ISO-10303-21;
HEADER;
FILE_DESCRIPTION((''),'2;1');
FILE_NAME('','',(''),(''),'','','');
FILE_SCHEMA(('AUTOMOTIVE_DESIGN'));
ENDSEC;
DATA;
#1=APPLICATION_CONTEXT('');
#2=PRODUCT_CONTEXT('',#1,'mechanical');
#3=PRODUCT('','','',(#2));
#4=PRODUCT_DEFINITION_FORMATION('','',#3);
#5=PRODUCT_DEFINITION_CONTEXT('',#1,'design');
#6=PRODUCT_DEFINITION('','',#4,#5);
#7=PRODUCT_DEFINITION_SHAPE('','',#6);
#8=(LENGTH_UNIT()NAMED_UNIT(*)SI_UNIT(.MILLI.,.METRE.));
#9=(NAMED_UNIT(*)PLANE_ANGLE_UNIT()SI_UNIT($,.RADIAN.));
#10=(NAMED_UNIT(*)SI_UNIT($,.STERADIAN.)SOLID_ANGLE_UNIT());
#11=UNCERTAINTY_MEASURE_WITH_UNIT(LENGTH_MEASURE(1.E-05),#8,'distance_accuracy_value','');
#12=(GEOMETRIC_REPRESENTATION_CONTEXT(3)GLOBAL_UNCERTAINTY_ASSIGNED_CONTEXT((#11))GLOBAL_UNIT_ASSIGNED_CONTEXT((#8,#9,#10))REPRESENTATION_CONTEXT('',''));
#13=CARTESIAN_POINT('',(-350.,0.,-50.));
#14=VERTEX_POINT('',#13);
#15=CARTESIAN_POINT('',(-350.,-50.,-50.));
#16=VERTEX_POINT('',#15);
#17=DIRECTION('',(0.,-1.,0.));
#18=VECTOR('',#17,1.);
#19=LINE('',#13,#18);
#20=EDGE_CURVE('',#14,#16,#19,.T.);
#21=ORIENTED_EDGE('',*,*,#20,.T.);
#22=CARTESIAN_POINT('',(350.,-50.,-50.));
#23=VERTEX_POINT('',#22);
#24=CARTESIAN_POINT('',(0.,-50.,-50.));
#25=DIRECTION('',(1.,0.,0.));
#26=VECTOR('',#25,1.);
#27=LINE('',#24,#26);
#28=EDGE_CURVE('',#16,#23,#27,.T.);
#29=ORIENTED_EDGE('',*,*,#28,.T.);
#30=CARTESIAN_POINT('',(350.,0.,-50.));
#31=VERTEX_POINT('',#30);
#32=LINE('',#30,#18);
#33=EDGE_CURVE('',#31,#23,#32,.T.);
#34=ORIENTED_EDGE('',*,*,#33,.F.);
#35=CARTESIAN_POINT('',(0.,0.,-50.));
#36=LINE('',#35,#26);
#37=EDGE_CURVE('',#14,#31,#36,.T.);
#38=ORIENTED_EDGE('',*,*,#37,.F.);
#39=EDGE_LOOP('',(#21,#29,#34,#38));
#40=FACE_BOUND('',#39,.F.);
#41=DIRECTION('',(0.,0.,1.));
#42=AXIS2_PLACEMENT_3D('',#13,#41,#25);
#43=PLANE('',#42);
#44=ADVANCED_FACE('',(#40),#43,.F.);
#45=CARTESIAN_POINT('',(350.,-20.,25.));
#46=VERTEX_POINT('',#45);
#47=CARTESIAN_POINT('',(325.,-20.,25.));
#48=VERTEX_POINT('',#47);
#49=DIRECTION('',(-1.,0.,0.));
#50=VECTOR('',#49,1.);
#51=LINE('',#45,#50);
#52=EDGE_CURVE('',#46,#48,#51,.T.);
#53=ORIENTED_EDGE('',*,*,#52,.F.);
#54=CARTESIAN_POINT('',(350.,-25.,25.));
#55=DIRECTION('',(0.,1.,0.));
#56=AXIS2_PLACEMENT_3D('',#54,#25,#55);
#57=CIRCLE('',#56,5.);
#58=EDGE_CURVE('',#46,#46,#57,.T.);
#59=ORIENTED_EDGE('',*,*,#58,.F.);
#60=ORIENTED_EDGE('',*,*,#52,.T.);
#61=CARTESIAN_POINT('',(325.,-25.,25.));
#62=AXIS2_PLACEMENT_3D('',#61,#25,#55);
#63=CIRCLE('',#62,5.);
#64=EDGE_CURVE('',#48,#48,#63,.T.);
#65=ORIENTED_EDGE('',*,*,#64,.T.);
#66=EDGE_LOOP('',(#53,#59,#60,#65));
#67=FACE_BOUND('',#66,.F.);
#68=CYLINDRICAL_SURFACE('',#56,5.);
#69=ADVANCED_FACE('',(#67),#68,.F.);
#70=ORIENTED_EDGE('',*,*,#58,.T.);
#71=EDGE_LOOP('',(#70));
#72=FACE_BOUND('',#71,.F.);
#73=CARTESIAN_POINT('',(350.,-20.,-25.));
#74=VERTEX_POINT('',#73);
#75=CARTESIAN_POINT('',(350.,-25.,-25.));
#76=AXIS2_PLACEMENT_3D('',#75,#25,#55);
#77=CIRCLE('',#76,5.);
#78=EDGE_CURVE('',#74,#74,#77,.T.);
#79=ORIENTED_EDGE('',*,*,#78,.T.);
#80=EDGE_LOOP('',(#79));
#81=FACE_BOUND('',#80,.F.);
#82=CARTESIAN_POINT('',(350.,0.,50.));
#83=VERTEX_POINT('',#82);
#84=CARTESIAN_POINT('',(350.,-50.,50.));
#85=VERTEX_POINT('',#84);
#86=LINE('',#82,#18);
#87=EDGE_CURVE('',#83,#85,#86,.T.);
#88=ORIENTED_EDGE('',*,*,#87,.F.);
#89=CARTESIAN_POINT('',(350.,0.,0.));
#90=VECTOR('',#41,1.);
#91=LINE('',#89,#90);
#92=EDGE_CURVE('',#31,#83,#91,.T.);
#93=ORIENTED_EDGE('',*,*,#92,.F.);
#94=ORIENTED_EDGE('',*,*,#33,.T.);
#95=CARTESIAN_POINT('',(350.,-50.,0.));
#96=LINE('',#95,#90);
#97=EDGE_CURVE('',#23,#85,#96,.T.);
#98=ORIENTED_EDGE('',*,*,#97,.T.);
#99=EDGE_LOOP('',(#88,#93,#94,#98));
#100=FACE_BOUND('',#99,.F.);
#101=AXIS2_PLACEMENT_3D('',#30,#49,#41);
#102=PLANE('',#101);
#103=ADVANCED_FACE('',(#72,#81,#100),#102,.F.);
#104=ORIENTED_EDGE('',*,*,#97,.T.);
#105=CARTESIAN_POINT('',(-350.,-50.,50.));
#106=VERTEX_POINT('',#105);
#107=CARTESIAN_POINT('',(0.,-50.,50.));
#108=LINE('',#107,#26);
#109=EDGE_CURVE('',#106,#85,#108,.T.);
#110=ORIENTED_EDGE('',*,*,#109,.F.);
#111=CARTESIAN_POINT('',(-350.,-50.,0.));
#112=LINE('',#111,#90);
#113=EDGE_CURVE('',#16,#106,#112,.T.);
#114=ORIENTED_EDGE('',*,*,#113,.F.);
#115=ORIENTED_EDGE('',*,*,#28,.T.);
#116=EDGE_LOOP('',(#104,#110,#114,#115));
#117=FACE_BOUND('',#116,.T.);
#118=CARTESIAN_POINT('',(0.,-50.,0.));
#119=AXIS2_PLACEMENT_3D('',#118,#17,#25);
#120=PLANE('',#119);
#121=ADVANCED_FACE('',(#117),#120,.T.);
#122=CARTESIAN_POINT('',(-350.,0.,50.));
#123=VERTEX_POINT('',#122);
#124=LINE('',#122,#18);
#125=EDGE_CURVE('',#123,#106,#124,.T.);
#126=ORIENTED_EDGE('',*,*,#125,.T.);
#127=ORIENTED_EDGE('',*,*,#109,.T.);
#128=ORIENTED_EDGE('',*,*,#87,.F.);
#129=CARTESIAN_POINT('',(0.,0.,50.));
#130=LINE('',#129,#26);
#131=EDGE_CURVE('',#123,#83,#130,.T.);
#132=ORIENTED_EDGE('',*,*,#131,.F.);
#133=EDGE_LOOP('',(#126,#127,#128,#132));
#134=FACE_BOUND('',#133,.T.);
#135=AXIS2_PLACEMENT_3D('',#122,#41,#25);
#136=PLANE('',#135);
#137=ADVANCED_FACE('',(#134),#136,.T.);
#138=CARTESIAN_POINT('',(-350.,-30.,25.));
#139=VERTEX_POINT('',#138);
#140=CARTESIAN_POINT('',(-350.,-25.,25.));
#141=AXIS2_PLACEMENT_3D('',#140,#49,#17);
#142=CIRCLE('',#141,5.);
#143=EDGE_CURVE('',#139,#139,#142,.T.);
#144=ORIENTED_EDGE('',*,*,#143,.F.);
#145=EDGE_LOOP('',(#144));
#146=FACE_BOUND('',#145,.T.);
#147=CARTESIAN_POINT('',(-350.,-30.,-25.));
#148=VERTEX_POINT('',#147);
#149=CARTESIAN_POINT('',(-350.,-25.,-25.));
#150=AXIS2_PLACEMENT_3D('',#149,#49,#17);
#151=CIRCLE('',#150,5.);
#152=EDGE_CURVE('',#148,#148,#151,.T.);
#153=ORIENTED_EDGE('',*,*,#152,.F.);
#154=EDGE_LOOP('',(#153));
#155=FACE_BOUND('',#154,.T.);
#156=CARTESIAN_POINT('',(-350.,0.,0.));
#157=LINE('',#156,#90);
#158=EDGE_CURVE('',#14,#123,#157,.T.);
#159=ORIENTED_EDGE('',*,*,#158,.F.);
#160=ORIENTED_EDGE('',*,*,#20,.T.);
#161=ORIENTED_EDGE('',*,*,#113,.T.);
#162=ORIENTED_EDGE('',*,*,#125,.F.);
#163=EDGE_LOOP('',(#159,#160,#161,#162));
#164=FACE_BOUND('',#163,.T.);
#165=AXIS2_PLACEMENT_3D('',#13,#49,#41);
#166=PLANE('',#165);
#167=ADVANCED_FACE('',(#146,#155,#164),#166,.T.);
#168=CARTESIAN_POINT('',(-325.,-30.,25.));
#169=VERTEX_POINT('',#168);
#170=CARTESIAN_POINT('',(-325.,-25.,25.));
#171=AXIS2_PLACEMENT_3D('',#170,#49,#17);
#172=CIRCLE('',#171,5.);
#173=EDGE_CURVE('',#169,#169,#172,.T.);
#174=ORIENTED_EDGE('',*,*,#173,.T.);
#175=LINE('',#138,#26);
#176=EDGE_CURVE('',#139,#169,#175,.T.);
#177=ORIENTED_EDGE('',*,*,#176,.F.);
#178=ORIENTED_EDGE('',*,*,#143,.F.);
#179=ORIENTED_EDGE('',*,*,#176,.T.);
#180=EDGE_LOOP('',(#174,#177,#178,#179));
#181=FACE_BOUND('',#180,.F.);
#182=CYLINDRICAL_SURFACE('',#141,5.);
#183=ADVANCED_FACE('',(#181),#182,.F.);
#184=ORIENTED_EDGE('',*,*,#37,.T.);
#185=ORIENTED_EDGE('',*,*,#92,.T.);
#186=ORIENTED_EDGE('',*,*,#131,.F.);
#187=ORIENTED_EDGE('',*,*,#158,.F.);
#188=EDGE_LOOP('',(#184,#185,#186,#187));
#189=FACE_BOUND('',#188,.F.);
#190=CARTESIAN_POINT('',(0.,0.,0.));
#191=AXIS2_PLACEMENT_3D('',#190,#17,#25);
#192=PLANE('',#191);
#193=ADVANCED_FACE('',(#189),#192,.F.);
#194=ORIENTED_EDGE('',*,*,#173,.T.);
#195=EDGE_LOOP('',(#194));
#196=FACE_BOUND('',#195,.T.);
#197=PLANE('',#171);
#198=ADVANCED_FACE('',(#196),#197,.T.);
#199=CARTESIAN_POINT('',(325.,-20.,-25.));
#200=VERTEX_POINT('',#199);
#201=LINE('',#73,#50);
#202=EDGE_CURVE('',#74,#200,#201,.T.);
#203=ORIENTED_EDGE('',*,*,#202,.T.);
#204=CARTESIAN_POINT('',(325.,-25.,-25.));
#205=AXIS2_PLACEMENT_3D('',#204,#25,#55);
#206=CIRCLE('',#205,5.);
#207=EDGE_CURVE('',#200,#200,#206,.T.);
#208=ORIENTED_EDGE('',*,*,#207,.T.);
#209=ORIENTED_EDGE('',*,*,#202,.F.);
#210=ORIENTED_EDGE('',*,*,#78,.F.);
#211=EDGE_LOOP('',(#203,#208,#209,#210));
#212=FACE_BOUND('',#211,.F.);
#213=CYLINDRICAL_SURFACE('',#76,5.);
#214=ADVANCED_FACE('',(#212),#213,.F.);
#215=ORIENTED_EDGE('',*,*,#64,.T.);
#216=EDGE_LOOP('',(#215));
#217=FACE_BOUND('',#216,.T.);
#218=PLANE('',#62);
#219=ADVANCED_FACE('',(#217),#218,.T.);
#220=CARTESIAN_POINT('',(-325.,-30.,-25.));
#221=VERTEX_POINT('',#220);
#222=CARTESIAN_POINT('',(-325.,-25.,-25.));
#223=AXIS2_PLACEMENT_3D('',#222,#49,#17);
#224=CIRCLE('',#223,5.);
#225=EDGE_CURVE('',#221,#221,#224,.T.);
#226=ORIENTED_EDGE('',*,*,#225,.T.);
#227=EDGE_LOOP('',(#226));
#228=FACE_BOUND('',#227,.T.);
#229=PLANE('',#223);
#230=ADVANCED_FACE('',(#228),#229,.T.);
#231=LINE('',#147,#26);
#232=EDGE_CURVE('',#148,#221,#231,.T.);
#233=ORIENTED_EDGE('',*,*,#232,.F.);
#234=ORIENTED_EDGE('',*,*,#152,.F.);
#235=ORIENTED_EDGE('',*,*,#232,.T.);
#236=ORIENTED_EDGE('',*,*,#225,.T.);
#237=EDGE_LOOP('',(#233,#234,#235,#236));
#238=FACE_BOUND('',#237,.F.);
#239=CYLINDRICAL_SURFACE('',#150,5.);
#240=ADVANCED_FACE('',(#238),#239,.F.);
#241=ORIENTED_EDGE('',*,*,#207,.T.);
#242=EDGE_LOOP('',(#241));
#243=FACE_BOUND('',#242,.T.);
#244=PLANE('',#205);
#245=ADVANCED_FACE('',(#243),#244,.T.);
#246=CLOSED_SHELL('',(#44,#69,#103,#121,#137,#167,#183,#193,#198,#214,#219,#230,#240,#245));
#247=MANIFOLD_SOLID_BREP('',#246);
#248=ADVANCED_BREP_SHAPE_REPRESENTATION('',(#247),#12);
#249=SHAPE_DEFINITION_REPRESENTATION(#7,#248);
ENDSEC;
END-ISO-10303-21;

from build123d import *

# Parameters (mm, degrees)
F0_W     = 700
F0_H     = 100
F1_DEPTH = 50
F3_R     = 5
F4_DEPTH = 25
F2_R     = 5
F5_DEPTH = 25


with BuildPart() as f1:
    # F0 (on Front) → F1 (new body)
    with BuildSketch(Plane.XZ):
        Rectangle(F0_W, F0_H)
    extrude(amount=F1_DEPTH)

    # F3 (on face) → F4 (cut)
    with BuildSketch(Plane(origin=(-350, 0, 0), x_dir=(0, -1, 0), z_dir=(-1, 0, 0))):
        with Locations((25, 25)):
            Circle(F3_R)
        with Locations((25, -25)):
            Circle(F3_R)
    extrude(amount=-F4_DEPTH, mode=Mode.SUBTRACT)

    # F2 (on face) → F5 (cut)
    with BuildSketch(Plane.YZ.offset(350)):
        with Locations((-25, 25)):
            Circle(F2_R)
        with Locations((-25, -25)):
            Circle(F2_R)
    extrude(amount=-F5_DEPTH, mode=Mode.SUBTRACT)


solid = f1.part
